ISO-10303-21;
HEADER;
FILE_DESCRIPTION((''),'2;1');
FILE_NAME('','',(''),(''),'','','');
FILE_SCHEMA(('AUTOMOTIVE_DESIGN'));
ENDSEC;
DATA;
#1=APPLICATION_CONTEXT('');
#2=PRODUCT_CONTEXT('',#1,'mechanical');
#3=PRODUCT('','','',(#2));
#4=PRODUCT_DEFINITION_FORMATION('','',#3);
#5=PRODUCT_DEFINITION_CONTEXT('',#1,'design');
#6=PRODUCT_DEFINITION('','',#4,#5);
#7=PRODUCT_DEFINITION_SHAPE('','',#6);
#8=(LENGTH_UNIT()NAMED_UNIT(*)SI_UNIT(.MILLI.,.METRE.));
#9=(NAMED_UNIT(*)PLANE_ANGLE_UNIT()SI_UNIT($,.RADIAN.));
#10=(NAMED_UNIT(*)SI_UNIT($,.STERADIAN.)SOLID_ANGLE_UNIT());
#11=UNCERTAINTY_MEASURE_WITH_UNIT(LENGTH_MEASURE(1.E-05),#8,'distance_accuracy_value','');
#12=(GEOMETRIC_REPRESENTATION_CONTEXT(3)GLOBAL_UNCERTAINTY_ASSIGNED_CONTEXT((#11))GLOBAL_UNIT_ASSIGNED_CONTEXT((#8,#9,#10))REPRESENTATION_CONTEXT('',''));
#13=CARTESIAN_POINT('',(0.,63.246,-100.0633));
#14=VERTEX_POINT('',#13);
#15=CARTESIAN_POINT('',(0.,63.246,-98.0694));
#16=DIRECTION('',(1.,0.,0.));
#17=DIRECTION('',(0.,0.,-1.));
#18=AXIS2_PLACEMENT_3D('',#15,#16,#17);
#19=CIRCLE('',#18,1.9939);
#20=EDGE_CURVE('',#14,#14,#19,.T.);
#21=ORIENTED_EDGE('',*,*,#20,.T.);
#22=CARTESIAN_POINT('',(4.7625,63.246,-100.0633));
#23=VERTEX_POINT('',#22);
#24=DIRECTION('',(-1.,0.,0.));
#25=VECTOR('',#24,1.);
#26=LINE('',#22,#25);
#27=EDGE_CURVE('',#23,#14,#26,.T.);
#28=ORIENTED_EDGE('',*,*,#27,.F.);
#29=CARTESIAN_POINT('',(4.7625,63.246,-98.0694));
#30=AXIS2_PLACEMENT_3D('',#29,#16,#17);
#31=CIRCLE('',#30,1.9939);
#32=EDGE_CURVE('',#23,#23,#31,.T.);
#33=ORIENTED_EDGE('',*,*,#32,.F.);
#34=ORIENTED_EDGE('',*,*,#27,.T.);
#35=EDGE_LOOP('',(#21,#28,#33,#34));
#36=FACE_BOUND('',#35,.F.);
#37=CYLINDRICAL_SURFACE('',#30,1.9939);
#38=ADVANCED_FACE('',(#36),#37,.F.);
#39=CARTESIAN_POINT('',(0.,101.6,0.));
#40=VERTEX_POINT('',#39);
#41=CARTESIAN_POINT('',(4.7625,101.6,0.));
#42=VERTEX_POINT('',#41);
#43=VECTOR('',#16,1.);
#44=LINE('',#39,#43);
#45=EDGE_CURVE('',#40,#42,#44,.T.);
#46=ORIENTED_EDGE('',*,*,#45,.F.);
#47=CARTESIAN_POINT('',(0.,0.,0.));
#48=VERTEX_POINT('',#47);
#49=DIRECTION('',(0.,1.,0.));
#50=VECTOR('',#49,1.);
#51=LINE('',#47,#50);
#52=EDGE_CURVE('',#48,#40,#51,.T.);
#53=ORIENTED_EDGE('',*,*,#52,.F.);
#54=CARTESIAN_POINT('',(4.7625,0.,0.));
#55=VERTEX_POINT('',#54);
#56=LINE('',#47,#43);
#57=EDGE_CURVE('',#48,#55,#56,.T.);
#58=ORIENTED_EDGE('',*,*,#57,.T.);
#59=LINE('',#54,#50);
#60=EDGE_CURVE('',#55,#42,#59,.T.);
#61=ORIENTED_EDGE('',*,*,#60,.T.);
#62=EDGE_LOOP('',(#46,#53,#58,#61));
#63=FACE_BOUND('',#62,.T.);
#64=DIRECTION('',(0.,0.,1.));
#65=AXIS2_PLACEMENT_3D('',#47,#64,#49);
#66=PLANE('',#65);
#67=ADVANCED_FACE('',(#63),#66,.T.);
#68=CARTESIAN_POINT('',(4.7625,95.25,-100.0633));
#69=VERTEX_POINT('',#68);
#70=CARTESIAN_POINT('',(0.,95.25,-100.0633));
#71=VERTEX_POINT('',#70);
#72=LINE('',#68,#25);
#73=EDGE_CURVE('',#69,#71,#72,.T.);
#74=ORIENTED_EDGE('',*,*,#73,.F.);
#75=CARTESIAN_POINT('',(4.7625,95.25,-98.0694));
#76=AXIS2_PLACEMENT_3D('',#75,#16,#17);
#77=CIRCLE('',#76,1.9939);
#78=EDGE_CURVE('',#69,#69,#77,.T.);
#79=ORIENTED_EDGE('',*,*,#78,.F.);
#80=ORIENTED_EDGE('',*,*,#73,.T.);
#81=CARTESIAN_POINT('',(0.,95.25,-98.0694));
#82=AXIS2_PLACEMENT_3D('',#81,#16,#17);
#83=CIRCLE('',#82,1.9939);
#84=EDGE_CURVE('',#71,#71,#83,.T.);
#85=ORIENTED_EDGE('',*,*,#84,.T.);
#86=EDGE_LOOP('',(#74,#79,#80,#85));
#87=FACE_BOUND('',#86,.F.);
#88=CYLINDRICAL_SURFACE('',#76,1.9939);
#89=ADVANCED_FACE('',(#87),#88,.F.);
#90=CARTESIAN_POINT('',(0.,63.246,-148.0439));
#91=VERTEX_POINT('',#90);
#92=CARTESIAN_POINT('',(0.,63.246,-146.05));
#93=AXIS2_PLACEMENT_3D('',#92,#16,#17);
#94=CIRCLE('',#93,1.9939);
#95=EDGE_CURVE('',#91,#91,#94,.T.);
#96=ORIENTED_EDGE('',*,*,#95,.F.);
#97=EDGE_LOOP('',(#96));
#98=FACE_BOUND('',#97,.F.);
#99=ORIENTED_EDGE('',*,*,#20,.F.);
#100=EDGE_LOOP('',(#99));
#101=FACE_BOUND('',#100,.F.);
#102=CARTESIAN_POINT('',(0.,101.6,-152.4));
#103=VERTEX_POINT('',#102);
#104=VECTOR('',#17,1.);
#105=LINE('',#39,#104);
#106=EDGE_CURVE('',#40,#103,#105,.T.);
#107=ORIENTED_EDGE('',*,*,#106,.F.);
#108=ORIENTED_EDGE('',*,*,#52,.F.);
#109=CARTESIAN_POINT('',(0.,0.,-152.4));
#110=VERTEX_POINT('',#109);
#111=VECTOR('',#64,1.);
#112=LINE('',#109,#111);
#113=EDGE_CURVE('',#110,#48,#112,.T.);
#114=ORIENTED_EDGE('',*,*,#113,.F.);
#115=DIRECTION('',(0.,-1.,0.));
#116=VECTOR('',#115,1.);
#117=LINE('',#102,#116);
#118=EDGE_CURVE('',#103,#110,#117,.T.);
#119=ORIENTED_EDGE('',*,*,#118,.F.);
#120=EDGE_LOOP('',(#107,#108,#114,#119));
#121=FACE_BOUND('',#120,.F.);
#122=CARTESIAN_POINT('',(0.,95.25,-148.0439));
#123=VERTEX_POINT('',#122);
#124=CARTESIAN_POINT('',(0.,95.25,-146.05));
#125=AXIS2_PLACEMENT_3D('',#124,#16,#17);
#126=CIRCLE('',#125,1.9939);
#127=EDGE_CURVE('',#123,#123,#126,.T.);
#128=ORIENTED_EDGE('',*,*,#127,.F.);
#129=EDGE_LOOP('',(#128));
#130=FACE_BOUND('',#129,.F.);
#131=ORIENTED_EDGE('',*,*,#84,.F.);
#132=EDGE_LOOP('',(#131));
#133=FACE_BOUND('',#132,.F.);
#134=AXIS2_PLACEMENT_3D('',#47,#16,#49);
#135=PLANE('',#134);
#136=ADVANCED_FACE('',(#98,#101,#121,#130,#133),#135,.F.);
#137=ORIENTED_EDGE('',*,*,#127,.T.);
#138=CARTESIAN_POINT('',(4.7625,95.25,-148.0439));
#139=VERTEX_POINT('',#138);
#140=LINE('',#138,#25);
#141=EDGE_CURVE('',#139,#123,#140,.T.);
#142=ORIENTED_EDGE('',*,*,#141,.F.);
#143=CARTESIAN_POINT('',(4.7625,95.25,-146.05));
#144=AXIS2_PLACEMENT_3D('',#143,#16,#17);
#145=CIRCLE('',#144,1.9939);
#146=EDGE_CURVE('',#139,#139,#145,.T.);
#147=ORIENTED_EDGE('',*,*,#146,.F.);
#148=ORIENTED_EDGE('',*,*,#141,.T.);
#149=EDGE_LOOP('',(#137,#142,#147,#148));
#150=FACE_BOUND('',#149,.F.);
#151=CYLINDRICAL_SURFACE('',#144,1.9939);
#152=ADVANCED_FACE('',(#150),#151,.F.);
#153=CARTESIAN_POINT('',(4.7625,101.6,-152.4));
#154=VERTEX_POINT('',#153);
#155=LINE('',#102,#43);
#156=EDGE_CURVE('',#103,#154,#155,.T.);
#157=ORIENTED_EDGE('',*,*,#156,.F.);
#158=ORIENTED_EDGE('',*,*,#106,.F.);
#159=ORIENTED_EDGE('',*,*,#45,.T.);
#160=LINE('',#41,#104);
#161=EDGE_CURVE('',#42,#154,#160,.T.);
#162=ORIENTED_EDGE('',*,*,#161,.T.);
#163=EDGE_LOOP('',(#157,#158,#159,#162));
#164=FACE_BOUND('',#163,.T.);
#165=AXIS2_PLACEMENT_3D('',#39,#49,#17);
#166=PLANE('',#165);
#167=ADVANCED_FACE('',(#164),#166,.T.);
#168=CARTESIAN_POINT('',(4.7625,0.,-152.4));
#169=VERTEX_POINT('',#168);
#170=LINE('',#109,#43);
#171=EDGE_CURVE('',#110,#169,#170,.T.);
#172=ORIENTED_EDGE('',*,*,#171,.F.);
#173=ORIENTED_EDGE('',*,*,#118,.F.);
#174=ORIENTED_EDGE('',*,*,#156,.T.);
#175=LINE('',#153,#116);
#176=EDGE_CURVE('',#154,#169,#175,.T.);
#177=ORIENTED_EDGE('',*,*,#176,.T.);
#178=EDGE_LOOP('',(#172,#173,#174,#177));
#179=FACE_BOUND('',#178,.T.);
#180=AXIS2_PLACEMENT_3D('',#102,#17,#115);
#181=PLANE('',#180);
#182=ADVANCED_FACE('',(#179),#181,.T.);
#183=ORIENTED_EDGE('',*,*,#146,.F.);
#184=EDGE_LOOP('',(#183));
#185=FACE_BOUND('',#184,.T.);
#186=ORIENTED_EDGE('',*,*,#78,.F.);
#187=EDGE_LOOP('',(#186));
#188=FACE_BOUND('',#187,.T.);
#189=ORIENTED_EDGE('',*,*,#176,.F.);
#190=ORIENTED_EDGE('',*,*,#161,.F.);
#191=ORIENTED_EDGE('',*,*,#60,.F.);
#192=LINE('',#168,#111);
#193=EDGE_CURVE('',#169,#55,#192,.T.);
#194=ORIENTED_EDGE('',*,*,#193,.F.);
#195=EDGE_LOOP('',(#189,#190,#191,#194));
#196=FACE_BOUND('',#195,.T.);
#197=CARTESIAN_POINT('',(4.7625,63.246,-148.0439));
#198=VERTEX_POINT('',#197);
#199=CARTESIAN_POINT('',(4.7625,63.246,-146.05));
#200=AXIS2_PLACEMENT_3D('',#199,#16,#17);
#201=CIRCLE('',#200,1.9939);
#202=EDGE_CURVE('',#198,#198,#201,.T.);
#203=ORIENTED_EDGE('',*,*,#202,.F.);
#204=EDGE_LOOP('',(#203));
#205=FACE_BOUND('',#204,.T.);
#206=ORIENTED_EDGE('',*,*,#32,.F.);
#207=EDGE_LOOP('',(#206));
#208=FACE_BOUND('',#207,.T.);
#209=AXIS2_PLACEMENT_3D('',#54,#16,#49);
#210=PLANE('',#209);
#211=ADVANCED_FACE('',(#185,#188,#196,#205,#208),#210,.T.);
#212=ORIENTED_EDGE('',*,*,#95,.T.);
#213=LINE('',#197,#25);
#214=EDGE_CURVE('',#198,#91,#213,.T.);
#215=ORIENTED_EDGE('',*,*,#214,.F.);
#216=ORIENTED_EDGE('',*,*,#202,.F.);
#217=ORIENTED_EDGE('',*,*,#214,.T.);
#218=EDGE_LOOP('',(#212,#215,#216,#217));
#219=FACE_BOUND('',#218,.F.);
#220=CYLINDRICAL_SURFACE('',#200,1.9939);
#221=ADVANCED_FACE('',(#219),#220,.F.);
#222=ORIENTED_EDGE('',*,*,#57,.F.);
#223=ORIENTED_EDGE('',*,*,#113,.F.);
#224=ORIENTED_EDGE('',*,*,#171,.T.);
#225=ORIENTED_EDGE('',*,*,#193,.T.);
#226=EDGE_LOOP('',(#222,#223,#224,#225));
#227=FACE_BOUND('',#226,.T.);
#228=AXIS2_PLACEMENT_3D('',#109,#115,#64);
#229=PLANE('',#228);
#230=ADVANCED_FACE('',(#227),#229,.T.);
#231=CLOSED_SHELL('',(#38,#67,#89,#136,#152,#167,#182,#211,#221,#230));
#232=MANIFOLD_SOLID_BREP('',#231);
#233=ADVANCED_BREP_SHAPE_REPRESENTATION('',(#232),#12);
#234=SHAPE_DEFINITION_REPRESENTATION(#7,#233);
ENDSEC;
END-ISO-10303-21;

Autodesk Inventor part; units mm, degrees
ref_plane "YZ Plane" through (0, 0, 0) normal (1, 0, 0) x (0, 1, 0)
ref_plane "XZ Plane" through (0, 0, 0) normal (0, 1, 0) x (-1, 0, 0)
ref_plane "XY Plane" through (0, 0, 0) normal (0, 0, 1) x (1, 0, 0)
sketch "Sketch1" plane through (0, 0, 0) normal (1, 0, 0) x (0, 1, 0)
  line L0 (0, 0) -> (101.6, 0)
  line L1 (101.6, 0) -> (101.6, -152.4)
  line L2 (101.6, -152.4) -> (0, -152.4)
  line L3 (0, -152.4) -> (0, 0)
  dimension "d0" = 101.6
  dimension "d1" = 152.4
extrude "Extrusion1" add sketch "Sketch1" along normal blind 4.7625
sketch "Sketch3" plane through (4.7625, 0, 0) normal (1, 0, 0) x (0, 0, -1)
  circle A0 centre (146.05, 63.246) radius 1.9939
  circle A1 centre (146.05, 95.25) radius 1.9939
  line L0 (152.4, 0) -> (152.4, 101.6) projected
  line L1 (152.4, 101.6) -> (0, 101.6) projected
  point P0 (0, 0)
  dimension "d4" = 32.004
  dimension "d5" = 3.9878
  dimension "d6" = 3.9878
  dimension "d7" = 6.35
  dimension "d8" = 6.35
  dimension "d12" = 6.35
extrude "Extrusion2" cut sketch "Sketch3" against normal through all
sketch "Sketch4" plane through (4.7625, 0, 0) normal (1, 0, 0) x (0, 0, -1)
  circle A0 centre (98.0694, 95.25) radius 1.9939
  circle A1 centre (98.0694, 63.246) radius 1.9939
  circle A2 centre (146.05, 95.25) radius 1.9939 projected
  circle A3 centre (146.05, 63.246) radius 1.9939 projected
  point P0 (0, 0)
  dimension "d13" = 47.9806
  dimension "d14" = 47.9806
  dimension "d15" = 3.9878
  dimension "d16" = 3.9878
extrude "Extrusion3" cut sketch "Sketch4" against normal through all contours A0 | A1
properties part number "base plate"
